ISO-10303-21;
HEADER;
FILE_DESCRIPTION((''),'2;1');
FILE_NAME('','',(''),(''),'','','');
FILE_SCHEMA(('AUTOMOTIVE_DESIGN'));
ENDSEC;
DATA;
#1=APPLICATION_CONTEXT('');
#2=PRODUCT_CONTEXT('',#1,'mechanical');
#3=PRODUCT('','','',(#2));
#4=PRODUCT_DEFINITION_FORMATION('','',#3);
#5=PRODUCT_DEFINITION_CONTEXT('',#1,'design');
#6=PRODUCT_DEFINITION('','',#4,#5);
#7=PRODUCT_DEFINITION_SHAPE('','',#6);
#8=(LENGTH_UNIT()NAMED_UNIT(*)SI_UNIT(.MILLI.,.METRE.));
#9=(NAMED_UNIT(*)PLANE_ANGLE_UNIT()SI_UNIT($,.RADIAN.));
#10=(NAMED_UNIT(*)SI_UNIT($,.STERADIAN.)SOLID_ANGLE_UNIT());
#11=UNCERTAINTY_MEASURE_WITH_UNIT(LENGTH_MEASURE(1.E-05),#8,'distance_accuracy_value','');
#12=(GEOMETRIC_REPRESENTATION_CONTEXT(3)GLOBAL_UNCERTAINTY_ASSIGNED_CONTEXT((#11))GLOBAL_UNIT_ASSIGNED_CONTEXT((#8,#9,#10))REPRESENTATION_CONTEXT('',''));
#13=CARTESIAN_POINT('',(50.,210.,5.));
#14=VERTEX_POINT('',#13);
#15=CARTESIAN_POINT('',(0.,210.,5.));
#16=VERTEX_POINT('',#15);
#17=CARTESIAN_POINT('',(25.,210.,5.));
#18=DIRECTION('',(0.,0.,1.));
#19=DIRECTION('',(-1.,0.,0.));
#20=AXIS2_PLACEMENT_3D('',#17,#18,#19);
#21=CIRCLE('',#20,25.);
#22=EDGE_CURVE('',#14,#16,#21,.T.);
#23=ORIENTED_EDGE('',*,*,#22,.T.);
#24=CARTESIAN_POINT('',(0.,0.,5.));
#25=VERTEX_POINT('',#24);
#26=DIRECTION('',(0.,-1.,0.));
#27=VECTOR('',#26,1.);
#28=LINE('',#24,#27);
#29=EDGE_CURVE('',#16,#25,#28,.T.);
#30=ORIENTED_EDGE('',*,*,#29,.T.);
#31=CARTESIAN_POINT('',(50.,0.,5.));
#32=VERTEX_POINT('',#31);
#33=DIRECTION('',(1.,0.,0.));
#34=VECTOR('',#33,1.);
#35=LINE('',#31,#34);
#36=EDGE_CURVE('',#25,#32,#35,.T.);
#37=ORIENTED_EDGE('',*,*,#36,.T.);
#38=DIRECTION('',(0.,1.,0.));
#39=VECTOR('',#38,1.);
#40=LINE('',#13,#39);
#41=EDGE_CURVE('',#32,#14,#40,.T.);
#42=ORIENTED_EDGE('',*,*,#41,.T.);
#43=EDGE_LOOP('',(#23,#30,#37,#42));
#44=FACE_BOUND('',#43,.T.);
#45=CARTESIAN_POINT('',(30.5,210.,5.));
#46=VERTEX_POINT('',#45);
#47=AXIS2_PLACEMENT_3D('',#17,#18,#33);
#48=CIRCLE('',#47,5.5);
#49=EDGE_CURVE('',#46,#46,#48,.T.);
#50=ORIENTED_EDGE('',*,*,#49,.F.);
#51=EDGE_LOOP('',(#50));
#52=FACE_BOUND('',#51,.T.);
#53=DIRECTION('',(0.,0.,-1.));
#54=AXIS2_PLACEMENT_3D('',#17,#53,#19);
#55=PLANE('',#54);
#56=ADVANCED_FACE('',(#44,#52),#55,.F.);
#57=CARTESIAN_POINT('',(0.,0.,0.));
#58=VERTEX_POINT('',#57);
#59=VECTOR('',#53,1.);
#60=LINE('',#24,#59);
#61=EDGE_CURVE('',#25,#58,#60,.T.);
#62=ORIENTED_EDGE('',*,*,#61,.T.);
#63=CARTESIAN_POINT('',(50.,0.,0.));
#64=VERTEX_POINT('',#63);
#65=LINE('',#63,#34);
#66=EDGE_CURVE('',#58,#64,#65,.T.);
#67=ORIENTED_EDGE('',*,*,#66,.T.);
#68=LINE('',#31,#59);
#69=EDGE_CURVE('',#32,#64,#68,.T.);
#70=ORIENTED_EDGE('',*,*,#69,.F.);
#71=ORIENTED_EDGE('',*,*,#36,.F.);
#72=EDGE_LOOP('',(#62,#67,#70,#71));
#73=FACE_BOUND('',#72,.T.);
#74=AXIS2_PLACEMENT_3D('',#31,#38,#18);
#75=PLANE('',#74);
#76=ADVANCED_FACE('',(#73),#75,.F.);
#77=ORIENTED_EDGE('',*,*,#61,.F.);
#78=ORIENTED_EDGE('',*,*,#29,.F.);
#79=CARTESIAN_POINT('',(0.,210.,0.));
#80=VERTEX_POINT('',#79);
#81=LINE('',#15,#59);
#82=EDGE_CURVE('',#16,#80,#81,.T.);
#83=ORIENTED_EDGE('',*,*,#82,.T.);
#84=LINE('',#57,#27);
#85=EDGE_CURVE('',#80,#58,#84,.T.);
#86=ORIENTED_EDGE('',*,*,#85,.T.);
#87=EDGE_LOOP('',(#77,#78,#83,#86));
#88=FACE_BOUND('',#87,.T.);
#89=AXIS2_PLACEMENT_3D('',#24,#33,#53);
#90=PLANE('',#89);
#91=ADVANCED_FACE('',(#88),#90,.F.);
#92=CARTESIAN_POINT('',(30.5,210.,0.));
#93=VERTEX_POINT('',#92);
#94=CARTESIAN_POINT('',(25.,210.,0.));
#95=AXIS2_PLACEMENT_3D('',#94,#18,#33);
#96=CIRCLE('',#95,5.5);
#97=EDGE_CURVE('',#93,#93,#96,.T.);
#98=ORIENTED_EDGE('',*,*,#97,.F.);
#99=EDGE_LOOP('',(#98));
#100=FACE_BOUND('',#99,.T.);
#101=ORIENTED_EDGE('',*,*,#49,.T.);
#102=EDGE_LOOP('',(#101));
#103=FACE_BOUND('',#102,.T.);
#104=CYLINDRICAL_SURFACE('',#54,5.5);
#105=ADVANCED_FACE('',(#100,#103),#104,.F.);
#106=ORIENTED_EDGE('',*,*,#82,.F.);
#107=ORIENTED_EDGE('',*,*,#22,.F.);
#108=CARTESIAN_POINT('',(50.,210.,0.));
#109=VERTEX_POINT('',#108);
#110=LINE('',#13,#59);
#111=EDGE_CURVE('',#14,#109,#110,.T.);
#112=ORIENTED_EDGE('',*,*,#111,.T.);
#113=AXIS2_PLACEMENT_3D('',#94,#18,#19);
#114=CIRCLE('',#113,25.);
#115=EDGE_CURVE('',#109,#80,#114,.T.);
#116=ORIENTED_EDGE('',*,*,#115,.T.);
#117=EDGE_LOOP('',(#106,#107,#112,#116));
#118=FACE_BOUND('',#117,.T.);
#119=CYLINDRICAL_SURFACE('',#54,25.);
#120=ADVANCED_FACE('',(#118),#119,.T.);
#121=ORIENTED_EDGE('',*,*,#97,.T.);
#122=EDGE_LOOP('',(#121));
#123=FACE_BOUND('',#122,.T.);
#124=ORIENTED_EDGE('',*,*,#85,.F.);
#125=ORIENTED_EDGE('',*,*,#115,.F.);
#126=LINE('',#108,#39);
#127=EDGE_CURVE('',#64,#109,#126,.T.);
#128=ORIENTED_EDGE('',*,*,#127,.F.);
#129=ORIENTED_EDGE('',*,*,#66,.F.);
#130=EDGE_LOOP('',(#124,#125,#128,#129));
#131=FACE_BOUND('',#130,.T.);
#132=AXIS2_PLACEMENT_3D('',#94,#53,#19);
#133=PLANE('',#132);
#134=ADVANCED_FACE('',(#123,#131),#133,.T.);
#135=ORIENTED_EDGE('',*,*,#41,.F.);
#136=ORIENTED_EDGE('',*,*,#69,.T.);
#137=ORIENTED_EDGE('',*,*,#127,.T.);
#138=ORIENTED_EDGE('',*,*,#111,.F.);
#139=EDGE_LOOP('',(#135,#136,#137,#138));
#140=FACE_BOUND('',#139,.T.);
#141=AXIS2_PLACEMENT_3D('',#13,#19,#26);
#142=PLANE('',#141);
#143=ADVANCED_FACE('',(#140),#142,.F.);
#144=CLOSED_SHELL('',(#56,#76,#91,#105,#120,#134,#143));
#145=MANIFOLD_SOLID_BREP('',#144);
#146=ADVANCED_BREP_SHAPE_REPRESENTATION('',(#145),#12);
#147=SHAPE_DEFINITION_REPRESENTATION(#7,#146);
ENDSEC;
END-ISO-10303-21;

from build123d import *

# Parameters (mm, degrees)
SKETCH1_R           = 5.5
BOSS_EXTRUDE1_DEPTH = 5


with BuildPart() as part:
    # Sketch1 → Boss-Extrude1 (new body)
    with BuildSketch(Plane.XY):
        with BuildLine():
            Line((0, 0), (0, 210))
            ThreePointArc((0, 210), (25, 235), (50, 210))
            Line((50, 210), (50, 0))
            Line((50, 0), (0, 0))
        make_face()
        with Locations((25, 210)):
            Circle(SKETCH1_R, mode=Mode.SUBTRACT)
    extrude(amount=BOSS_EXTRUDE1_DEPTH)


solid = part.part
